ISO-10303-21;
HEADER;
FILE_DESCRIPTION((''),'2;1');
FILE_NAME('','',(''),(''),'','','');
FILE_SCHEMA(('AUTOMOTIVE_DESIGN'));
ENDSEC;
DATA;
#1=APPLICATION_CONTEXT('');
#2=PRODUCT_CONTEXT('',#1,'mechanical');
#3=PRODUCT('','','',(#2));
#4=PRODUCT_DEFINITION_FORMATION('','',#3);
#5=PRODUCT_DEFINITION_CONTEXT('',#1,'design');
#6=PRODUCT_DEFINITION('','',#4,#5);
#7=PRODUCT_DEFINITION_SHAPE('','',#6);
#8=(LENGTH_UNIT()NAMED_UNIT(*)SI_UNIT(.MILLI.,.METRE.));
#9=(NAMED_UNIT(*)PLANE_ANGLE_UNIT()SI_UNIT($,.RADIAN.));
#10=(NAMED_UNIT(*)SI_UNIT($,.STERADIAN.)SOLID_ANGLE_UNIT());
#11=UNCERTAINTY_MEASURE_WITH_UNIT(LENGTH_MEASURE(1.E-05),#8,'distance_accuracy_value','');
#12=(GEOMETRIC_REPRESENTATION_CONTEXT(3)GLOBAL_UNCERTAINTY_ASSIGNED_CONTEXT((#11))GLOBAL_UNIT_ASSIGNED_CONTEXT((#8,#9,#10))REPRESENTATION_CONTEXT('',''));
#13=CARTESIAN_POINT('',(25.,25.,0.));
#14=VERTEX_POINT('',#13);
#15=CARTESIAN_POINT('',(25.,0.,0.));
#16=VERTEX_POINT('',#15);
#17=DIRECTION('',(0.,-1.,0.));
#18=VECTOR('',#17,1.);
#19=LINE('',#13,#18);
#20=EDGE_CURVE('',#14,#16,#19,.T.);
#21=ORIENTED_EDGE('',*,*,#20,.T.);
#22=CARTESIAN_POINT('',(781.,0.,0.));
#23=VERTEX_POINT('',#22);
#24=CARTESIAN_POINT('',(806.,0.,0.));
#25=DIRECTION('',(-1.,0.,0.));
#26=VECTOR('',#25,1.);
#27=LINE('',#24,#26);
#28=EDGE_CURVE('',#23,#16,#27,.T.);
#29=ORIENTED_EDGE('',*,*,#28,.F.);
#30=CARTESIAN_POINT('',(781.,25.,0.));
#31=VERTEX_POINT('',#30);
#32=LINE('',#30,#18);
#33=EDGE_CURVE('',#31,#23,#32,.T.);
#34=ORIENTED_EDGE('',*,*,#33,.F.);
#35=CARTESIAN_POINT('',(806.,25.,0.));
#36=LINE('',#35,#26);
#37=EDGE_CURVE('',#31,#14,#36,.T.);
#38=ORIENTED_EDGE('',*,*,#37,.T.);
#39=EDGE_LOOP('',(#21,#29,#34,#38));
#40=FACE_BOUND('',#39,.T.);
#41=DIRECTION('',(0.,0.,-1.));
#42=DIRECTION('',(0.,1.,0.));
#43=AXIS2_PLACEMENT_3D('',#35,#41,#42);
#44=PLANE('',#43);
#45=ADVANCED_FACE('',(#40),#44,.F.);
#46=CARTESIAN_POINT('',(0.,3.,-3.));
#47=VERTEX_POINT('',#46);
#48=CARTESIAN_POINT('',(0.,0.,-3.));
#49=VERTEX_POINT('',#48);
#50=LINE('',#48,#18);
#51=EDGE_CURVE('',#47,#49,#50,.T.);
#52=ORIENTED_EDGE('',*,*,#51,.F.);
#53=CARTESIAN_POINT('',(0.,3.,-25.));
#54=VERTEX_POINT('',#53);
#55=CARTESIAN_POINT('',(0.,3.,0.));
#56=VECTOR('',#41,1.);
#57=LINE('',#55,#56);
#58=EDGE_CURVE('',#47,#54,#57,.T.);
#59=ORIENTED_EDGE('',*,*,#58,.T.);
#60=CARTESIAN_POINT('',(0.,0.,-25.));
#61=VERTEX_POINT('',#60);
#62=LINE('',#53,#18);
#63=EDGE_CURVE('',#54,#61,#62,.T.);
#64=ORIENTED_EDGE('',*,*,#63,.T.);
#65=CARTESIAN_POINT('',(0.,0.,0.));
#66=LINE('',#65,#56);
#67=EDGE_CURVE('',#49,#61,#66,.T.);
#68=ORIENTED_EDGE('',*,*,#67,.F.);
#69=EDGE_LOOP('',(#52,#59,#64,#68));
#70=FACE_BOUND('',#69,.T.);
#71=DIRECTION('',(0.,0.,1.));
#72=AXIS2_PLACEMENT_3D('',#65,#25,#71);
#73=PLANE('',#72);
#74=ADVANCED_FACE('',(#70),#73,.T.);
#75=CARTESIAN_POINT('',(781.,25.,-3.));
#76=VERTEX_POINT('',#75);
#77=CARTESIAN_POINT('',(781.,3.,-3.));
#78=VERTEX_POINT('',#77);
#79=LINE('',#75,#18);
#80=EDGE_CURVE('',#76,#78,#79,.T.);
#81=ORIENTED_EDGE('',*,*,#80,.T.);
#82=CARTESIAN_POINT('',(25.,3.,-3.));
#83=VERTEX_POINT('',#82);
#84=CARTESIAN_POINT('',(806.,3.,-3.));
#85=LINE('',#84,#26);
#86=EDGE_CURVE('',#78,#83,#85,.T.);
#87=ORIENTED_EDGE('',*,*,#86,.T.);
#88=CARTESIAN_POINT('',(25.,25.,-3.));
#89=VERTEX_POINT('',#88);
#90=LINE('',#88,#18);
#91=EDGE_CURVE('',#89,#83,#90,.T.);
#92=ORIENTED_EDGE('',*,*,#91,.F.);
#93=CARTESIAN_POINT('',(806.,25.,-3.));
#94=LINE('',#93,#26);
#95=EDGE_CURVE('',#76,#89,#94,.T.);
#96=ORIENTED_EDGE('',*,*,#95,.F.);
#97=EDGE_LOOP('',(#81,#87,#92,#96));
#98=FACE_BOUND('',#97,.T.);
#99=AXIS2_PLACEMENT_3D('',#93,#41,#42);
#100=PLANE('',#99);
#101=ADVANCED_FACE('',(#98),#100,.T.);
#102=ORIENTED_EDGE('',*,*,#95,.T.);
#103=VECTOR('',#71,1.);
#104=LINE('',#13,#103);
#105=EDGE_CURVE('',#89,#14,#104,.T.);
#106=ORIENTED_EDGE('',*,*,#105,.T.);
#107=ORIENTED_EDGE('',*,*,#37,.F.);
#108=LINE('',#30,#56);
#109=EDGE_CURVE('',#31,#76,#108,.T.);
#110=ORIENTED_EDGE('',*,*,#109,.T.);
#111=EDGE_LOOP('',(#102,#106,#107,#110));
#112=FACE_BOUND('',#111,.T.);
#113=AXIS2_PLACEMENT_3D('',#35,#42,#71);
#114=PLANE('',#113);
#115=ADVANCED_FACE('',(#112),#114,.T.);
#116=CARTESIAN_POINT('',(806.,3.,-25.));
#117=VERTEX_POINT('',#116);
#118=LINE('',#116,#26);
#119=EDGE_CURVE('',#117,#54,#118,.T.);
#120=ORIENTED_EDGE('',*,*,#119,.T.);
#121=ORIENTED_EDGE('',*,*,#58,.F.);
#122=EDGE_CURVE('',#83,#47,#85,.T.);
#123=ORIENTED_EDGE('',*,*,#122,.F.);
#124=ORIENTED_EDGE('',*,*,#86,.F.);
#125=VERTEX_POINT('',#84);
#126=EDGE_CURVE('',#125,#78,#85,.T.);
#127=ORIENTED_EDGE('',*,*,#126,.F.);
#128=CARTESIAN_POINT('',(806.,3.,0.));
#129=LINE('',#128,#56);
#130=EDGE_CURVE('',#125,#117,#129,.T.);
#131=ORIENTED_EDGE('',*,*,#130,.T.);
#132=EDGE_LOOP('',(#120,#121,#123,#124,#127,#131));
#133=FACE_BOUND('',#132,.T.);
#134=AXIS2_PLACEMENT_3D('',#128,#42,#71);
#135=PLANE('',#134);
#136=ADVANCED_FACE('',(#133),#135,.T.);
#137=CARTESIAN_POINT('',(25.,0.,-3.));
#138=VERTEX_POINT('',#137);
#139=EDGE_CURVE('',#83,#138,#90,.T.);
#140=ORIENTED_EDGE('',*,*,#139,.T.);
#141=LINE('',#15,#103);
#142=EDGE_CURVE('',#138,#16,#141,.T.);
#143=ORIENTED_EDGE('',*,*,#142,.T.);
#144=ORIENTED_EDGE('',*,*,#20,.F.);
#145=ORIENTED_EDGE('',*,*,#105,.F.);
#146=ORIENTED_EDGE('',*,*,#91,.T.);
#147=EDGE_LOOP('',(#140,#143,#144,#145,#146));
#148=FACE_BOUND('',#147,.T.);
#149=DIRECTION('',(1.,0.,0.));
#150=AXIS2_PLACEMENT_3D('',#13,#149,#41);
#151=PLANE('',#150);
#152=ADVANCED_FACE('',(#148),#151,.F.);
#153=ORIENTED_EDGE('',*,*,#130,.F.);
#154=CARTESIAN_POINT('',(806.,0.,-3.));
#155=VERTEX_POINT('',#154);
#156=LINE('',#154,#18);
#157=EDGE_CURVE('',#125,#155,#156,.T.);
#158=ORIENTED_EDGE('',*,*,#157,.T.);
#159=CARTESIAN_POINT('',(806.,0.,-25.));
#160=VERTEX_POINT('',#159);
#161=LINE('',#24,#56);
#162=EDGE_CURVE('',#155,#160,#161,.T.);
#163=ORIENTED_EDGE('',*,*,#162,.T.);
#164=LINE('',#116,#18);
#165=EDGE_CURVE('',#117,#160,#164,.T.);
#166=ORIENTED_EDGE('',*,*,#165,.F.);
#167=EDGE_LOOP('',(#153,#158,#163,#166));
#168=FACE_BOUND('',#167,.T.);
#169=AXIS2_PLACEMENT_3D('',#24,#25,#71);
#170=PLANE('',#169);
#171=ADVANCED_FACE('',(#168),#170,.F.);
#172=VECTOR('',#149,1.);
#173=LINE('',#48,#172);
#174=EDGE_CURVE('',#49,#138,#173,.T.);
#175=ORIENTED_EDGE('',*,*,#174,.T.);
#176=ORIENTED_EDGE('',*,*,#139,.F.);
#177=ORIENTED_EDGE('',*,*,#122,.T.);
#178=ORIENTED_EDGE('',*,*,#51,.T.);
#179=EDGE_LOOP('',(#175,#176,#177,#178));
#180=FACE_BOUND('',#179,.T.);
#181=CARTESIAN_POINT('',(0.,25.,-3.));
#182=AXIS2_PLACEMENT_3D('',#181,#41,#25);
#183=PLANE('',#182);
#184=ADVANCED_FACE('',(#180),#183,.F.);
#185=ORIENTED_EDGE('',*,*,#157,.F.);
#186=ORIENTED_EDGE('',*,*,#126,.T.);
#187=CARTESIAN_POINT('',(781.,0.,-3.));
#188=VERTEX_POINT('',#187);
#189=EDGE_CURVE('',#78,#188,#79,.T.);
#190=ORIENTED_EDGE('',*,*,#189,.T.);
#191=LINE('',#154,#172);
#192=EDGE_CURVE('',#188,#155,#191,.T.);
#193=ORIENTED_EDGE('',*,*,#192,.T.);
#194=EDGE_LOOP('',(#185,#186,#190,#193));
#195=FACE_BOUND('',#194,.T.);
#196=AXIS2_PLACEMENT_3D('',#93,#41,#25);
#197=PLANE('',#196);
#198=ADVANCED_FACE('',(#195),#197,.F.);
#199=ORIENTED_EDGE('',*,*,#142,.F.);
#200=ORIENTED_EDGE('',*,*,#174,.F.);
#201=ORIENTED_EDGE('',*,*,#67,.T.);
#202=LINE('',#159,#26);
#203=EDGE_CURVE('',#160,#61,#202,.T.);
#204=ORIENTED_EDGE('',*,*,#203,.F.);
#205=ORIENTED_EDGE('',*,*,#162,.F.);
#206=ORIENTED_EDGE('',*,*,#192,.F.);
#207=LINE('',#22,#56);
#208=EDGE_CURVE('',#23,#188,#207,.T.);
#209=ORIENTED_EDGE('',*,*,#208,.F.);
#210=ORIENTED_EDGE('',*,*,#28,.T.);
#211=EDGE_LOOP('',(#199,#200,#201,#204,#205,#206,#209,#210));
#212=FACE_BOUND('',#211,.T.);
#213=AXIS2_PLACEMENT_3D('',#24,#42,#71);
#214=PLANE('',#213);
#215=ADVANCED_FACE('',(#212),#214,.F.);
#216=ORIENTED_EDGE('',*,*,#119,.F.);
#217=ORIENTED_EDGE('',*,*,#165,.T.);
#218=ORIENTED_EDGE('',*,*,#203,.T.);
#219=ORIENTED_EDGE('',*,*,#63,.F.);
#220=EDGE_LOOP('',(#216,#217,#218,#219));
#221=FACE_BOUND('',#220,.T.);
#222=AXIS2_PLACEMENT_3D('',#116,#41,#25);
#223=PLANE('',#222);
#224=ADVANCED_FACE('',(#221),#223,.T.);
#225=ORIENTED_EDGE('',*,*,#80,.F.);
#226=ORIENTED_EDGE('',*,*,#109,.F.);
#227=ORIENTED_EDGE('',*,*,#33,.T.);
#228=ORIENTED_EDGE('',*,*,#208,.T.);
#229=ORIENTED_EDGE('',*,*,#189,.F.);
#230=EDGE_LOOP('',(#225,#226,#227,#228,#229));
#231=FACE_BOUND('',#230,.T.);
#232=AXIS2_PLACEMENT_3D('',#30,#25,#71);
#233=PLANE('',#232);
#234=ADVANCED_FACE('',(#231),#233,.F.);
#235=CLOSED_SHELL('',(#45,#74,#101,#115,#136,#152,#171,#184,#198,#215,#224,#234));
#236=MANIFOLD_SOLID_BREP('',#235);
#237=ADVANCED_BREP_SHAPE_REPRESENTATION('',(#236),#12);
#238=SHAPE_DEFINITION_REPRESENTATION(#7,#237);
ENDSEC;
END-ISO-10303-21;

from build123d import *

# Parameters (mm, degrees)
EXTRUDE_1_DEPTH     = 806
SKETCH_2_W          = 25
SKETCH_2_H          = 3
CUT_EXTRUDE_1_DEPTH = 26


with BuildPart() as part:
    # Эскиз1 → Вытянуть-Тонкостенный1 (new body)
    with BuildSketch(Plane(origin=(0, 0, 0), x_dir=(0, 0, -1), z_dir=(1, 0, 0))):
        Polygon((0, 25), (0, 0), (25, 0), (25, 3), (3, 3), (3, 25), align=None)
    extrude(amount=EXTRUDE_1_DEPTH)

    # Эскиз2 → Вырез-Вытянуть1 (cut, through all)
    with BuildSketch(Plane.XZ):
        with Locations((793.5, -1.5)):
            Rectangle(SKETCH_2_W, SKETCH_2_H)
        with Locations((12.5, -1.5)):
            Rectangle(SKETCH_2_W, SKETCH_2_H)
    extrude(amount=-CUT_EXTRUDE_1_DEPTH, mode=Mode.SUBTRACT)


solid = part.part
